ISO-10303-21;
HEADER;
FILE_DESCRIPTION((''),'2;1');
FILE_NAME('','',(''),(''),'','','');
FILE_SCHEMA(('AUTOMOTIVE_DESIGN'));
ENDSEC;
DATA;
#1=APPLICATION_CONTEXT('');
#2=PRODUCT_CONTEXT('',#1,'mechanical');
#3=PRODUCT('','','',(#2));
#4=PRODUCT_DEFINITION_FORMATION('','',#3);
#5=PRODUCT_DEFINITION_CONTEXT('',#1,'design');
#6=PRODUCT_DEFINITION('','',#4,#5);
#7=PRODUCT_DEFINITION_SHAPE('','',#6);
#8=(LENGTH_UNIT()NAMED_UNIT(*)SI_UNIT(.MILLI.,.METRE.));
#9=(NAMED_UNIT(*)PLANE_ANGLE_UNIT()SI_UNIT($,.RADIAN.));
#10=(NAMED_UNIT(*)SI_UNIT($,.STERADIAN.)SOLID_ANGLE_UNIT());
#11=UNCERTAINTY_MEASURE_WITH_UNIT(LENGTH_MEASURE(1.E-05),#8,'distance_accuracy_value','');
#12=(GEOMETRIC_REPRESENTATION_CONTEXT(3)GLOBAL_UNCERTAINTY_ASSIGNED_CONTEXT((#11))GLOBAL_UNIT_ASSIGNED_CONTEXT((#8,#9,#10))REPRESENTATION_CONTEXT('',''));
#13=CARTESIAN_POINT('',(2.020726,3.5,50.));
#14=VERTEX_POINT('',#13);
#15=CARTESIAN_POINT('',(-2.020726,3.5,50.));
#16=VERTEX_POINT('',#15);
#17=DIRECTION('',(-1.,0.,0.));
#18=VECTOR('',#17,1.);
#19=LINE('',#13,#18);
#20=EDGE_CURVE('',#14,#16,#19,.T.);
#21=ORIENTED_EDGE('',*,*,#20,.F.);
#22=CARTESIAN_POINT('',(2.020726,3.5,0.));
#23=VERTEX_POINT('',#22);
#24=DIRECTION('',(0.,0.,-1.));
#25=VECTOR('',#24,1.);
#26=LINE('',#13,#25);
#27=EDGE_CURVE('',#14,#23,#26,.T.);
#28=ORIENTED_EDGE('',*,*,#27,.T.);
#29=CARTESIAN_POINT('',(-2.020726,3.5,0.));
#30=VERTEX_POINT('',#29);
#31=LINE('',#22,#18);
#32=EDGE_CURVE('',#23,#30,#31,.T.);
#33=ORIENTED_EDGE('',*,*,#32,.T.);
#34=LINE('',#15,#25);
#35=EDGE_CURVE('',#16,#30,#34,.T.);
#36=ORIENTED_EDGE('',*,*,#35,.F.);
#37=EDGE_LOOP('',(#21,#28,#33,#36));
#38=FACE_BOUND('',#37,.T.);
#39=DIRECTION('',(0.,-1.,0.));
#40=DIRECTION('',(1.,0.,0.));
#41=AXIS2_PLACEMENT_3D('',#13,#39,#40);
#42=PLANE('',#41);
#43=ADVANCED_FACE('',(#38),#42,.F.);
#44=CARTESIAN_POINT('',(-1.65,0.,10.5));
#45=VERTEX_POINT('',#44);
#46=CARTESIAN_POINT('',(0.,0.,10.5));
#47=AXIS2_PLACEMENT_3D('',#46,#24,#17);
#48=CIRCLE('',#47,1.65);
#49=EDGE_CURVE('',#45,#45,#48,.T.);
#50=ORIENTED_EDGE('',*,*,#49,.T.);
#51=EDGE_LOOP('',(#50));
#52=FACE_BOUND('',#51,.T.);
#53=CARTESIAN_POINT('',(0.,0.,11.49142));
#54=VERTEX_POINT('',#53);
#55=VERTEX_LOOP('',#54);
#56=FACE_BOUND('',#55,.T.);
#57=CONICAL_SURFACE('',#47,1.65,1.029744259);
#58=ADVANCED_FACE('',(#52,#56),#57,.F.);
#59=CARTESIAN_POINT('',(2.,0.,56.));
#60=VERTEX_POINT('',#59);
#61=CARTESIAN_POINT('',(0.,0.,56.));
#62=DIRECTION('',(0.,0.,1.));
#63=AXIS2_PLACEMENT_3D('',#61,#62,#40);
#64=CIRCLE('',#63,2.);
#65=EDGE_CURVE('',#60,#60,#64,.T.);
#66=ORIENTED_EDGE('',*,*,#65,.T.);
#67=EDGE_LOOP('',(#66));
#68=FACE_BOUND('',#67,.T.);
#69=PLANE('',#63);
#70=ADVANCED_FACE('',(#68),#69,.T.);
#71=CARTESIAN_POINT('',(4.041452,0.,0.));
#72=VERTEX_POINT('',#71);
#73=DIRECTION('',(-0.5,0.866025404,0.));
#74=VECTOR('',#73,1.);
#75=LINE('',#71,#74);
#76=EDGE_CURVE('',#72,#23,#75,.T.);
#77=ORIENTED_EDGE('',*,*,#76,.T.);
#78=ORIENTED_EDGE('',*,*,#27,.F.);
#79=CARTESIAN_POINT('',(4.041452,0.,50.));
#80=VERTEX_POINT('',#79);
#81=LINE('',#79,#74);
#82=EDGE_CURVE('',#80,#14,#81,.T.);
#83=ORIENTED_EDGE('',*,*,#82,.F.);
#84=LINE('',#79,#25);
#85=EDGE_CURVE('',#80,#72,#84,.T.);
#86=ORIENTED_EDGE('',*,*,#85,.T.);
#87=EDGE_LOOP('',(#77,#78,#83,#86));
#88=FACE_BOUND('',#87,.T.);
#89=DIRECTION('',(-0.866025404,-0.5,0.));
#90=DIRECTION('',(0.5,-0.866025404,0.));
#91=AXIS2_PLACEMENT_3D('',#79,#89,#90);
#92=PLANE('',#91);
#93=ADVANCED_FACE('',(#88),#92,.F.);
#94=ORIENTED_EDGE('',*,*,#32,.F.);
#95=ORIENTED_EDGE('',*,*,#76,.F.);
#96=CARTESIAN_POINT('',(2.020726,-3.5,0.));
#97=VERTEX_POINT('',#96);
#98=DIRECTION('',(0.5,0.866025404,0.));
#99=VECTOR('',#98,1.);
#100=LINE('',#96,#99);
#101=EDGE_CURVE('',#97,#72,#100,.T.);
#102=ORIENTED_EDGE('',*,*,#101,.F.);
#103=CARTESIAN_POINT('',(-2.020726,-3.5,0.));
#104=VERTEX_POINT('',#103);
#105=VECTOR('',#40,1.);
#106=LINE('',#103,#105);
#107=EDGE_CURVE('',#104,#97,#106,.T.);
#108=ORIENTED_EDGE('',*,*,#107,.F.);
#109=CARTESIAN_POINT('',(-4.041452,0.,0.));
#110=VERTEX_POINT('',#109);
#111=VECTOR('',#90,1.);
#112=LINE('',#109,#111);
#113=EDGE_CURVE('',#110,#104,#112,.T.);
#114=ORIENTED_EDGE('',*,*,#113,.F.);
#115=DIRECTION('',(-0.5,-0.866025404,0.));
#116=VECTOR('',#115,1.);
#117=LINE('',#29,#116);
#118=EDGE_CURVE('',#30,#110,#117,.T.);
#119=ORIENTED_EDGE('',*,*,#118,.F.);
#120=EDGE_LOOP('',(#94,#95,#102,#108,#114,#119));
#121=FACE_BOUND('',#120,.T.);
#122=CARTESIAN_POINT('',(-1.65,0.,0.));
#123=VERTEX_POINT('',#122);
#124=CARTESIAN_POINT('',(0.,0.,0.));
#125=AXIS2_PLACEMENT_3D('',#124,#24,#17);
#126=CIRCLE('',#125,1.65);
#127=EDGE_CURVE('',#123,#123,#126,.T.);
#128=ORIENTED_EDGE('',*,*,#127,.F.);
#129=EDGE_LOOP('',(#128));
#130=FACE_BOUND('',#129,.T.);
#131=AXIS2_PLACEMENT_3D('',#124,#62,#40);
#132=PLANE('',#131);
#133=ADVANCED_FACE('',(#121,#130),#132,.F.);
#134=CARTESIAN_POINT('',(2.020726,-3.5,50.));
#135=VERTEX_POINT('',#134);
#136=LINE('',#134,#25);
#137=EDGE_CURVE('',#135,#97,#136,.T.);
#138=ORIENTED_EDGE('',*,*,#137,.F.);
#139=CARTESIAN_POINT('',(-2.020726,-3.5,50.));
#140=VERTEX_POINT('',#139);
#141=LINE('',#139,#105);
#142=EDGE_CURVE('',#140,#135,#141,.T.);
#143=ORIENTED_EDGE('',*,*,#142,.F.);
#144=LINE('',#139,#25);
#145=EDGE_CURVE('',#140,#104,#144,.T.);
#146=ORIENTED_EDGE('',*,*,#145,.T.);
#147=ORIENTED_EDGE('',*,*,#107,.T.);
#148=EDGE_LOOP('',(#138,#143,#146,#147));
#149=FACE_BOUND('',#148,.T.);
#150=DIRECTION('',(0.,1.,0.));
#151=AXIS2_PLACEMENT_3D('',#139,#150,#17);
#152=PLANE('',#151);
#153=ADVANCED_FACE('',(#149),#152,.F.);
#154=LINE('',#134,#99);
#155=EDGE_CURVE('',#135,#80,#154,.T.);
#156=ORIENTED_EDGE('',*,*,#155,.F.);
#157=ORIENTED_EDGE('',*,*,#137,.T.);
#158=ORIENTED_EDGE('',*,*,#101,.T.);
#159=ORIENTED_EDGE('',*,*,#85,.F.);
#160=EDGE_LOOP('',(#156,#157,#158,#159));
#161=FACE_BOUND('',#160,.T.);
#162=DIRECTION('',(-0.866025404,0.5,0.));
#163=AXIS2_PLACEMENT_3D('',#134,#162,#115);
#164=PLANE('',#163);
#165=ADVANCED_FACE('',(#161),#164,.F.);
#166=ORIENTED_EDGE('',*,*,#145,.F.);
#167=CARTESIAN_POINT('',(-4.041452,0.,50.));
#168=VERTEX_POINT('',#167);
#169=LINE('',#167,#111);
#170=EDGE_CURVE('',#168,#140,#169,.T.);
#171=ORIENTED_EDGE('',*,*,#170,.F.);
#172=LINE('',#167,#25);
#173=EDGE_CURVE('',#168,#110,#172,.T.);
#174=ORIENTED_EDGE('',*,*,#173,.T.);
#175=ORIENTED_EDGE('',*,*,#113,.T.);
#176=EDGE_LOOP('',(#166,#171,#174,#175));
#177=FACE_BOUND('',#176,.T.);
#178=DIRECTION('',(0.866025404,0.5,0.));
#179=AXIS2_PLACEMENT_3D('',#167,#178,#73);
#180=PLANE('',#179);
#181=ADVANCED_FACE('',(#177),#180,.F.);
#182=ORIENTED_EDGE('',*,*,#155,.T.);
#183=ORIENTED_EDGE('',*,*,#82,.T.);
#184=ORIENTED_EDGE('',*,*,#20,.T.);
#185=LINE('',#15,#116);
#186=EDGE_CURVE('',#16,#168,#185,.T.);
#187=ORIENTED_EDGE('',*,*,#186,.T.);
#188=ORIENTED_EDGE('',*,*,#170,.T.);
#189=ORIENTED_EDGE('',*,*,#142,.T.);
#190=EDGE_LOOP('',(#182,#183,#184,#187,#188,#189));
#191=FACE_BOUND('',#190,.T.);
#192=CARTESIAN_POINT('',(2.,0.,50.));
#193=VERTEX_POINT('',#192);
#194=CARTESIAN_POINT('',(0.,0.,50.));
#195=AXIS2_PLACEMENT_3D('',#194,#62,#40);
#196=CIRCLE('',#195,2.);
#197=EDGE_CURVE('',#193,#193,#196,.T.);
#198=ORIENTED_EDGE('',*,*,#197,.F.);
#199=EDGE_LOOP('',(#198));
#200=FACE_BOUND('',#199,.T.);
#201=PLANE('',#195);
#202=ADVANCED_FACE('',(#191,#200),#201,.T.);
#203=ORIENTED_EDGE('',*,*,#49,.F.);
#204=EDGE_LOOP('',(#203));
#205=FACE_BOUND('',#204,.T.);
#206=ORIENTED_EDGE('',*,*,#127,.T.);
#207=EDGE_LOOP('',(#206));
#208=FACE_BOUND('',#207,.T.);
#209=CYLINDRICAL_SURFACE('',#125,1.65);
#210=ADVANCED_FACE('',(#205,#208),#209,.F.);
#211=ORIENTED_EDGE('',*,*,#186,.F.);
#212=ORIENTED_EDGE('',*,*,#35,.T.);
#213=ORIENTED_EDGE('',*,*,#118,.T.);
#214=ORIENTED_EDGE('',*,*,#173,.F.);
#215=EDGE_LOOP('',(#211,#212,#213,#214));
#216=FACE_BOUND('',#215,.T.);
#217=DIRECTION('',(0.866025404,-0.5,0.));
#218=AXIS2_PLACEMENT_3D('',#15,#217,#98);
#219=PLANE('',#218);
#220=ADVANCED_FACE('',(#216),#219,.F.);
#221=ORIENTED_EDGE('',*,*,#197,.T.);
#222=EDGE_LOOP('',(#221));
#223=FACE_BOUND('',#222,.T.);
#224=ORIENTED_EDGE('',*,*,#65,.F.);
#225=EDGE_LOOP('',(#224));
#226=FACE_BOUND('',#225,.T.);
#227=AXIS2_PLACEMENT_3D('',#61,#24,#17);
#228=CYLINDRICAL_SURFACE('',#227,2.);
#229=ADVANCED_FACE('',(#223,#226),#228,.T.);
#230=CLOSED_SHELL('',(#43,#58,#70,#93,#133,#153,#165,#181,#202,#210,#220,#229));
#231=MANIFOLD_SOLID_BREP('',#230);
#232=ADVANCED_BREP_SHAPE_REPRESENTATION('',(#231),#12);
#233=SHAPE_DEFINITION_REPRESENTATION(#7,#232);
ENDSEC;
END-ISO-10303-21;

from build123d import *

# Parameters (mm, degrees)
EXTRUDE_1_DEPTH = 50
SKETCH_2_R      = 2
EXTRUDE_2_DEPTH = 6
M4X0_7_1_D      = 3.3
M4X0_7_1_DEPTH  = 10.5
M4X0_7_1_TIP    = 0.991420021


with BuildPart() as part:
    # 草圖1 → 填料-伸長1 (new body)
    with BuildSketch(Plane.XY):
        Polygon((4.041451884, 0), (2.020725942, 3.5), (-2.020725942, 3.5), (-4.041451884, 0), (-2.020725942, -3.5), (2.020725942, -3.5), align=None)
    extrude(amount=EXTRUDE_1_DEPTH)

    # 草圖2 → 填料-伸長2 (add)
    with BuildSketch(Plane.XY.offset(50)):
        Circle(SKETCH_2_R)
    extrude(amount=EXTRUDE_2_DEPTH)

    # M4x0.7 螺紋孔1
    with Locations(Plane(origin=(0, 0, 0), x_dir=(-1, 0, 0), z_dir=(0, 0, -1))):
        with Locations((0, 0)):
            Hole(M4X0_7_1_D / 2, depth=M4X0_7_1_DEPTH)
            with Locations((0, 0, -(M4X0_7_1_DEPTH + M4X0_7_1_TIP / 2))):  # 118° drill point
                Cone(0, M4X0_7_1_D / 2, M4X0_7_1_TIP, mode=Mode.SUBTRACT)


solid = part.part
